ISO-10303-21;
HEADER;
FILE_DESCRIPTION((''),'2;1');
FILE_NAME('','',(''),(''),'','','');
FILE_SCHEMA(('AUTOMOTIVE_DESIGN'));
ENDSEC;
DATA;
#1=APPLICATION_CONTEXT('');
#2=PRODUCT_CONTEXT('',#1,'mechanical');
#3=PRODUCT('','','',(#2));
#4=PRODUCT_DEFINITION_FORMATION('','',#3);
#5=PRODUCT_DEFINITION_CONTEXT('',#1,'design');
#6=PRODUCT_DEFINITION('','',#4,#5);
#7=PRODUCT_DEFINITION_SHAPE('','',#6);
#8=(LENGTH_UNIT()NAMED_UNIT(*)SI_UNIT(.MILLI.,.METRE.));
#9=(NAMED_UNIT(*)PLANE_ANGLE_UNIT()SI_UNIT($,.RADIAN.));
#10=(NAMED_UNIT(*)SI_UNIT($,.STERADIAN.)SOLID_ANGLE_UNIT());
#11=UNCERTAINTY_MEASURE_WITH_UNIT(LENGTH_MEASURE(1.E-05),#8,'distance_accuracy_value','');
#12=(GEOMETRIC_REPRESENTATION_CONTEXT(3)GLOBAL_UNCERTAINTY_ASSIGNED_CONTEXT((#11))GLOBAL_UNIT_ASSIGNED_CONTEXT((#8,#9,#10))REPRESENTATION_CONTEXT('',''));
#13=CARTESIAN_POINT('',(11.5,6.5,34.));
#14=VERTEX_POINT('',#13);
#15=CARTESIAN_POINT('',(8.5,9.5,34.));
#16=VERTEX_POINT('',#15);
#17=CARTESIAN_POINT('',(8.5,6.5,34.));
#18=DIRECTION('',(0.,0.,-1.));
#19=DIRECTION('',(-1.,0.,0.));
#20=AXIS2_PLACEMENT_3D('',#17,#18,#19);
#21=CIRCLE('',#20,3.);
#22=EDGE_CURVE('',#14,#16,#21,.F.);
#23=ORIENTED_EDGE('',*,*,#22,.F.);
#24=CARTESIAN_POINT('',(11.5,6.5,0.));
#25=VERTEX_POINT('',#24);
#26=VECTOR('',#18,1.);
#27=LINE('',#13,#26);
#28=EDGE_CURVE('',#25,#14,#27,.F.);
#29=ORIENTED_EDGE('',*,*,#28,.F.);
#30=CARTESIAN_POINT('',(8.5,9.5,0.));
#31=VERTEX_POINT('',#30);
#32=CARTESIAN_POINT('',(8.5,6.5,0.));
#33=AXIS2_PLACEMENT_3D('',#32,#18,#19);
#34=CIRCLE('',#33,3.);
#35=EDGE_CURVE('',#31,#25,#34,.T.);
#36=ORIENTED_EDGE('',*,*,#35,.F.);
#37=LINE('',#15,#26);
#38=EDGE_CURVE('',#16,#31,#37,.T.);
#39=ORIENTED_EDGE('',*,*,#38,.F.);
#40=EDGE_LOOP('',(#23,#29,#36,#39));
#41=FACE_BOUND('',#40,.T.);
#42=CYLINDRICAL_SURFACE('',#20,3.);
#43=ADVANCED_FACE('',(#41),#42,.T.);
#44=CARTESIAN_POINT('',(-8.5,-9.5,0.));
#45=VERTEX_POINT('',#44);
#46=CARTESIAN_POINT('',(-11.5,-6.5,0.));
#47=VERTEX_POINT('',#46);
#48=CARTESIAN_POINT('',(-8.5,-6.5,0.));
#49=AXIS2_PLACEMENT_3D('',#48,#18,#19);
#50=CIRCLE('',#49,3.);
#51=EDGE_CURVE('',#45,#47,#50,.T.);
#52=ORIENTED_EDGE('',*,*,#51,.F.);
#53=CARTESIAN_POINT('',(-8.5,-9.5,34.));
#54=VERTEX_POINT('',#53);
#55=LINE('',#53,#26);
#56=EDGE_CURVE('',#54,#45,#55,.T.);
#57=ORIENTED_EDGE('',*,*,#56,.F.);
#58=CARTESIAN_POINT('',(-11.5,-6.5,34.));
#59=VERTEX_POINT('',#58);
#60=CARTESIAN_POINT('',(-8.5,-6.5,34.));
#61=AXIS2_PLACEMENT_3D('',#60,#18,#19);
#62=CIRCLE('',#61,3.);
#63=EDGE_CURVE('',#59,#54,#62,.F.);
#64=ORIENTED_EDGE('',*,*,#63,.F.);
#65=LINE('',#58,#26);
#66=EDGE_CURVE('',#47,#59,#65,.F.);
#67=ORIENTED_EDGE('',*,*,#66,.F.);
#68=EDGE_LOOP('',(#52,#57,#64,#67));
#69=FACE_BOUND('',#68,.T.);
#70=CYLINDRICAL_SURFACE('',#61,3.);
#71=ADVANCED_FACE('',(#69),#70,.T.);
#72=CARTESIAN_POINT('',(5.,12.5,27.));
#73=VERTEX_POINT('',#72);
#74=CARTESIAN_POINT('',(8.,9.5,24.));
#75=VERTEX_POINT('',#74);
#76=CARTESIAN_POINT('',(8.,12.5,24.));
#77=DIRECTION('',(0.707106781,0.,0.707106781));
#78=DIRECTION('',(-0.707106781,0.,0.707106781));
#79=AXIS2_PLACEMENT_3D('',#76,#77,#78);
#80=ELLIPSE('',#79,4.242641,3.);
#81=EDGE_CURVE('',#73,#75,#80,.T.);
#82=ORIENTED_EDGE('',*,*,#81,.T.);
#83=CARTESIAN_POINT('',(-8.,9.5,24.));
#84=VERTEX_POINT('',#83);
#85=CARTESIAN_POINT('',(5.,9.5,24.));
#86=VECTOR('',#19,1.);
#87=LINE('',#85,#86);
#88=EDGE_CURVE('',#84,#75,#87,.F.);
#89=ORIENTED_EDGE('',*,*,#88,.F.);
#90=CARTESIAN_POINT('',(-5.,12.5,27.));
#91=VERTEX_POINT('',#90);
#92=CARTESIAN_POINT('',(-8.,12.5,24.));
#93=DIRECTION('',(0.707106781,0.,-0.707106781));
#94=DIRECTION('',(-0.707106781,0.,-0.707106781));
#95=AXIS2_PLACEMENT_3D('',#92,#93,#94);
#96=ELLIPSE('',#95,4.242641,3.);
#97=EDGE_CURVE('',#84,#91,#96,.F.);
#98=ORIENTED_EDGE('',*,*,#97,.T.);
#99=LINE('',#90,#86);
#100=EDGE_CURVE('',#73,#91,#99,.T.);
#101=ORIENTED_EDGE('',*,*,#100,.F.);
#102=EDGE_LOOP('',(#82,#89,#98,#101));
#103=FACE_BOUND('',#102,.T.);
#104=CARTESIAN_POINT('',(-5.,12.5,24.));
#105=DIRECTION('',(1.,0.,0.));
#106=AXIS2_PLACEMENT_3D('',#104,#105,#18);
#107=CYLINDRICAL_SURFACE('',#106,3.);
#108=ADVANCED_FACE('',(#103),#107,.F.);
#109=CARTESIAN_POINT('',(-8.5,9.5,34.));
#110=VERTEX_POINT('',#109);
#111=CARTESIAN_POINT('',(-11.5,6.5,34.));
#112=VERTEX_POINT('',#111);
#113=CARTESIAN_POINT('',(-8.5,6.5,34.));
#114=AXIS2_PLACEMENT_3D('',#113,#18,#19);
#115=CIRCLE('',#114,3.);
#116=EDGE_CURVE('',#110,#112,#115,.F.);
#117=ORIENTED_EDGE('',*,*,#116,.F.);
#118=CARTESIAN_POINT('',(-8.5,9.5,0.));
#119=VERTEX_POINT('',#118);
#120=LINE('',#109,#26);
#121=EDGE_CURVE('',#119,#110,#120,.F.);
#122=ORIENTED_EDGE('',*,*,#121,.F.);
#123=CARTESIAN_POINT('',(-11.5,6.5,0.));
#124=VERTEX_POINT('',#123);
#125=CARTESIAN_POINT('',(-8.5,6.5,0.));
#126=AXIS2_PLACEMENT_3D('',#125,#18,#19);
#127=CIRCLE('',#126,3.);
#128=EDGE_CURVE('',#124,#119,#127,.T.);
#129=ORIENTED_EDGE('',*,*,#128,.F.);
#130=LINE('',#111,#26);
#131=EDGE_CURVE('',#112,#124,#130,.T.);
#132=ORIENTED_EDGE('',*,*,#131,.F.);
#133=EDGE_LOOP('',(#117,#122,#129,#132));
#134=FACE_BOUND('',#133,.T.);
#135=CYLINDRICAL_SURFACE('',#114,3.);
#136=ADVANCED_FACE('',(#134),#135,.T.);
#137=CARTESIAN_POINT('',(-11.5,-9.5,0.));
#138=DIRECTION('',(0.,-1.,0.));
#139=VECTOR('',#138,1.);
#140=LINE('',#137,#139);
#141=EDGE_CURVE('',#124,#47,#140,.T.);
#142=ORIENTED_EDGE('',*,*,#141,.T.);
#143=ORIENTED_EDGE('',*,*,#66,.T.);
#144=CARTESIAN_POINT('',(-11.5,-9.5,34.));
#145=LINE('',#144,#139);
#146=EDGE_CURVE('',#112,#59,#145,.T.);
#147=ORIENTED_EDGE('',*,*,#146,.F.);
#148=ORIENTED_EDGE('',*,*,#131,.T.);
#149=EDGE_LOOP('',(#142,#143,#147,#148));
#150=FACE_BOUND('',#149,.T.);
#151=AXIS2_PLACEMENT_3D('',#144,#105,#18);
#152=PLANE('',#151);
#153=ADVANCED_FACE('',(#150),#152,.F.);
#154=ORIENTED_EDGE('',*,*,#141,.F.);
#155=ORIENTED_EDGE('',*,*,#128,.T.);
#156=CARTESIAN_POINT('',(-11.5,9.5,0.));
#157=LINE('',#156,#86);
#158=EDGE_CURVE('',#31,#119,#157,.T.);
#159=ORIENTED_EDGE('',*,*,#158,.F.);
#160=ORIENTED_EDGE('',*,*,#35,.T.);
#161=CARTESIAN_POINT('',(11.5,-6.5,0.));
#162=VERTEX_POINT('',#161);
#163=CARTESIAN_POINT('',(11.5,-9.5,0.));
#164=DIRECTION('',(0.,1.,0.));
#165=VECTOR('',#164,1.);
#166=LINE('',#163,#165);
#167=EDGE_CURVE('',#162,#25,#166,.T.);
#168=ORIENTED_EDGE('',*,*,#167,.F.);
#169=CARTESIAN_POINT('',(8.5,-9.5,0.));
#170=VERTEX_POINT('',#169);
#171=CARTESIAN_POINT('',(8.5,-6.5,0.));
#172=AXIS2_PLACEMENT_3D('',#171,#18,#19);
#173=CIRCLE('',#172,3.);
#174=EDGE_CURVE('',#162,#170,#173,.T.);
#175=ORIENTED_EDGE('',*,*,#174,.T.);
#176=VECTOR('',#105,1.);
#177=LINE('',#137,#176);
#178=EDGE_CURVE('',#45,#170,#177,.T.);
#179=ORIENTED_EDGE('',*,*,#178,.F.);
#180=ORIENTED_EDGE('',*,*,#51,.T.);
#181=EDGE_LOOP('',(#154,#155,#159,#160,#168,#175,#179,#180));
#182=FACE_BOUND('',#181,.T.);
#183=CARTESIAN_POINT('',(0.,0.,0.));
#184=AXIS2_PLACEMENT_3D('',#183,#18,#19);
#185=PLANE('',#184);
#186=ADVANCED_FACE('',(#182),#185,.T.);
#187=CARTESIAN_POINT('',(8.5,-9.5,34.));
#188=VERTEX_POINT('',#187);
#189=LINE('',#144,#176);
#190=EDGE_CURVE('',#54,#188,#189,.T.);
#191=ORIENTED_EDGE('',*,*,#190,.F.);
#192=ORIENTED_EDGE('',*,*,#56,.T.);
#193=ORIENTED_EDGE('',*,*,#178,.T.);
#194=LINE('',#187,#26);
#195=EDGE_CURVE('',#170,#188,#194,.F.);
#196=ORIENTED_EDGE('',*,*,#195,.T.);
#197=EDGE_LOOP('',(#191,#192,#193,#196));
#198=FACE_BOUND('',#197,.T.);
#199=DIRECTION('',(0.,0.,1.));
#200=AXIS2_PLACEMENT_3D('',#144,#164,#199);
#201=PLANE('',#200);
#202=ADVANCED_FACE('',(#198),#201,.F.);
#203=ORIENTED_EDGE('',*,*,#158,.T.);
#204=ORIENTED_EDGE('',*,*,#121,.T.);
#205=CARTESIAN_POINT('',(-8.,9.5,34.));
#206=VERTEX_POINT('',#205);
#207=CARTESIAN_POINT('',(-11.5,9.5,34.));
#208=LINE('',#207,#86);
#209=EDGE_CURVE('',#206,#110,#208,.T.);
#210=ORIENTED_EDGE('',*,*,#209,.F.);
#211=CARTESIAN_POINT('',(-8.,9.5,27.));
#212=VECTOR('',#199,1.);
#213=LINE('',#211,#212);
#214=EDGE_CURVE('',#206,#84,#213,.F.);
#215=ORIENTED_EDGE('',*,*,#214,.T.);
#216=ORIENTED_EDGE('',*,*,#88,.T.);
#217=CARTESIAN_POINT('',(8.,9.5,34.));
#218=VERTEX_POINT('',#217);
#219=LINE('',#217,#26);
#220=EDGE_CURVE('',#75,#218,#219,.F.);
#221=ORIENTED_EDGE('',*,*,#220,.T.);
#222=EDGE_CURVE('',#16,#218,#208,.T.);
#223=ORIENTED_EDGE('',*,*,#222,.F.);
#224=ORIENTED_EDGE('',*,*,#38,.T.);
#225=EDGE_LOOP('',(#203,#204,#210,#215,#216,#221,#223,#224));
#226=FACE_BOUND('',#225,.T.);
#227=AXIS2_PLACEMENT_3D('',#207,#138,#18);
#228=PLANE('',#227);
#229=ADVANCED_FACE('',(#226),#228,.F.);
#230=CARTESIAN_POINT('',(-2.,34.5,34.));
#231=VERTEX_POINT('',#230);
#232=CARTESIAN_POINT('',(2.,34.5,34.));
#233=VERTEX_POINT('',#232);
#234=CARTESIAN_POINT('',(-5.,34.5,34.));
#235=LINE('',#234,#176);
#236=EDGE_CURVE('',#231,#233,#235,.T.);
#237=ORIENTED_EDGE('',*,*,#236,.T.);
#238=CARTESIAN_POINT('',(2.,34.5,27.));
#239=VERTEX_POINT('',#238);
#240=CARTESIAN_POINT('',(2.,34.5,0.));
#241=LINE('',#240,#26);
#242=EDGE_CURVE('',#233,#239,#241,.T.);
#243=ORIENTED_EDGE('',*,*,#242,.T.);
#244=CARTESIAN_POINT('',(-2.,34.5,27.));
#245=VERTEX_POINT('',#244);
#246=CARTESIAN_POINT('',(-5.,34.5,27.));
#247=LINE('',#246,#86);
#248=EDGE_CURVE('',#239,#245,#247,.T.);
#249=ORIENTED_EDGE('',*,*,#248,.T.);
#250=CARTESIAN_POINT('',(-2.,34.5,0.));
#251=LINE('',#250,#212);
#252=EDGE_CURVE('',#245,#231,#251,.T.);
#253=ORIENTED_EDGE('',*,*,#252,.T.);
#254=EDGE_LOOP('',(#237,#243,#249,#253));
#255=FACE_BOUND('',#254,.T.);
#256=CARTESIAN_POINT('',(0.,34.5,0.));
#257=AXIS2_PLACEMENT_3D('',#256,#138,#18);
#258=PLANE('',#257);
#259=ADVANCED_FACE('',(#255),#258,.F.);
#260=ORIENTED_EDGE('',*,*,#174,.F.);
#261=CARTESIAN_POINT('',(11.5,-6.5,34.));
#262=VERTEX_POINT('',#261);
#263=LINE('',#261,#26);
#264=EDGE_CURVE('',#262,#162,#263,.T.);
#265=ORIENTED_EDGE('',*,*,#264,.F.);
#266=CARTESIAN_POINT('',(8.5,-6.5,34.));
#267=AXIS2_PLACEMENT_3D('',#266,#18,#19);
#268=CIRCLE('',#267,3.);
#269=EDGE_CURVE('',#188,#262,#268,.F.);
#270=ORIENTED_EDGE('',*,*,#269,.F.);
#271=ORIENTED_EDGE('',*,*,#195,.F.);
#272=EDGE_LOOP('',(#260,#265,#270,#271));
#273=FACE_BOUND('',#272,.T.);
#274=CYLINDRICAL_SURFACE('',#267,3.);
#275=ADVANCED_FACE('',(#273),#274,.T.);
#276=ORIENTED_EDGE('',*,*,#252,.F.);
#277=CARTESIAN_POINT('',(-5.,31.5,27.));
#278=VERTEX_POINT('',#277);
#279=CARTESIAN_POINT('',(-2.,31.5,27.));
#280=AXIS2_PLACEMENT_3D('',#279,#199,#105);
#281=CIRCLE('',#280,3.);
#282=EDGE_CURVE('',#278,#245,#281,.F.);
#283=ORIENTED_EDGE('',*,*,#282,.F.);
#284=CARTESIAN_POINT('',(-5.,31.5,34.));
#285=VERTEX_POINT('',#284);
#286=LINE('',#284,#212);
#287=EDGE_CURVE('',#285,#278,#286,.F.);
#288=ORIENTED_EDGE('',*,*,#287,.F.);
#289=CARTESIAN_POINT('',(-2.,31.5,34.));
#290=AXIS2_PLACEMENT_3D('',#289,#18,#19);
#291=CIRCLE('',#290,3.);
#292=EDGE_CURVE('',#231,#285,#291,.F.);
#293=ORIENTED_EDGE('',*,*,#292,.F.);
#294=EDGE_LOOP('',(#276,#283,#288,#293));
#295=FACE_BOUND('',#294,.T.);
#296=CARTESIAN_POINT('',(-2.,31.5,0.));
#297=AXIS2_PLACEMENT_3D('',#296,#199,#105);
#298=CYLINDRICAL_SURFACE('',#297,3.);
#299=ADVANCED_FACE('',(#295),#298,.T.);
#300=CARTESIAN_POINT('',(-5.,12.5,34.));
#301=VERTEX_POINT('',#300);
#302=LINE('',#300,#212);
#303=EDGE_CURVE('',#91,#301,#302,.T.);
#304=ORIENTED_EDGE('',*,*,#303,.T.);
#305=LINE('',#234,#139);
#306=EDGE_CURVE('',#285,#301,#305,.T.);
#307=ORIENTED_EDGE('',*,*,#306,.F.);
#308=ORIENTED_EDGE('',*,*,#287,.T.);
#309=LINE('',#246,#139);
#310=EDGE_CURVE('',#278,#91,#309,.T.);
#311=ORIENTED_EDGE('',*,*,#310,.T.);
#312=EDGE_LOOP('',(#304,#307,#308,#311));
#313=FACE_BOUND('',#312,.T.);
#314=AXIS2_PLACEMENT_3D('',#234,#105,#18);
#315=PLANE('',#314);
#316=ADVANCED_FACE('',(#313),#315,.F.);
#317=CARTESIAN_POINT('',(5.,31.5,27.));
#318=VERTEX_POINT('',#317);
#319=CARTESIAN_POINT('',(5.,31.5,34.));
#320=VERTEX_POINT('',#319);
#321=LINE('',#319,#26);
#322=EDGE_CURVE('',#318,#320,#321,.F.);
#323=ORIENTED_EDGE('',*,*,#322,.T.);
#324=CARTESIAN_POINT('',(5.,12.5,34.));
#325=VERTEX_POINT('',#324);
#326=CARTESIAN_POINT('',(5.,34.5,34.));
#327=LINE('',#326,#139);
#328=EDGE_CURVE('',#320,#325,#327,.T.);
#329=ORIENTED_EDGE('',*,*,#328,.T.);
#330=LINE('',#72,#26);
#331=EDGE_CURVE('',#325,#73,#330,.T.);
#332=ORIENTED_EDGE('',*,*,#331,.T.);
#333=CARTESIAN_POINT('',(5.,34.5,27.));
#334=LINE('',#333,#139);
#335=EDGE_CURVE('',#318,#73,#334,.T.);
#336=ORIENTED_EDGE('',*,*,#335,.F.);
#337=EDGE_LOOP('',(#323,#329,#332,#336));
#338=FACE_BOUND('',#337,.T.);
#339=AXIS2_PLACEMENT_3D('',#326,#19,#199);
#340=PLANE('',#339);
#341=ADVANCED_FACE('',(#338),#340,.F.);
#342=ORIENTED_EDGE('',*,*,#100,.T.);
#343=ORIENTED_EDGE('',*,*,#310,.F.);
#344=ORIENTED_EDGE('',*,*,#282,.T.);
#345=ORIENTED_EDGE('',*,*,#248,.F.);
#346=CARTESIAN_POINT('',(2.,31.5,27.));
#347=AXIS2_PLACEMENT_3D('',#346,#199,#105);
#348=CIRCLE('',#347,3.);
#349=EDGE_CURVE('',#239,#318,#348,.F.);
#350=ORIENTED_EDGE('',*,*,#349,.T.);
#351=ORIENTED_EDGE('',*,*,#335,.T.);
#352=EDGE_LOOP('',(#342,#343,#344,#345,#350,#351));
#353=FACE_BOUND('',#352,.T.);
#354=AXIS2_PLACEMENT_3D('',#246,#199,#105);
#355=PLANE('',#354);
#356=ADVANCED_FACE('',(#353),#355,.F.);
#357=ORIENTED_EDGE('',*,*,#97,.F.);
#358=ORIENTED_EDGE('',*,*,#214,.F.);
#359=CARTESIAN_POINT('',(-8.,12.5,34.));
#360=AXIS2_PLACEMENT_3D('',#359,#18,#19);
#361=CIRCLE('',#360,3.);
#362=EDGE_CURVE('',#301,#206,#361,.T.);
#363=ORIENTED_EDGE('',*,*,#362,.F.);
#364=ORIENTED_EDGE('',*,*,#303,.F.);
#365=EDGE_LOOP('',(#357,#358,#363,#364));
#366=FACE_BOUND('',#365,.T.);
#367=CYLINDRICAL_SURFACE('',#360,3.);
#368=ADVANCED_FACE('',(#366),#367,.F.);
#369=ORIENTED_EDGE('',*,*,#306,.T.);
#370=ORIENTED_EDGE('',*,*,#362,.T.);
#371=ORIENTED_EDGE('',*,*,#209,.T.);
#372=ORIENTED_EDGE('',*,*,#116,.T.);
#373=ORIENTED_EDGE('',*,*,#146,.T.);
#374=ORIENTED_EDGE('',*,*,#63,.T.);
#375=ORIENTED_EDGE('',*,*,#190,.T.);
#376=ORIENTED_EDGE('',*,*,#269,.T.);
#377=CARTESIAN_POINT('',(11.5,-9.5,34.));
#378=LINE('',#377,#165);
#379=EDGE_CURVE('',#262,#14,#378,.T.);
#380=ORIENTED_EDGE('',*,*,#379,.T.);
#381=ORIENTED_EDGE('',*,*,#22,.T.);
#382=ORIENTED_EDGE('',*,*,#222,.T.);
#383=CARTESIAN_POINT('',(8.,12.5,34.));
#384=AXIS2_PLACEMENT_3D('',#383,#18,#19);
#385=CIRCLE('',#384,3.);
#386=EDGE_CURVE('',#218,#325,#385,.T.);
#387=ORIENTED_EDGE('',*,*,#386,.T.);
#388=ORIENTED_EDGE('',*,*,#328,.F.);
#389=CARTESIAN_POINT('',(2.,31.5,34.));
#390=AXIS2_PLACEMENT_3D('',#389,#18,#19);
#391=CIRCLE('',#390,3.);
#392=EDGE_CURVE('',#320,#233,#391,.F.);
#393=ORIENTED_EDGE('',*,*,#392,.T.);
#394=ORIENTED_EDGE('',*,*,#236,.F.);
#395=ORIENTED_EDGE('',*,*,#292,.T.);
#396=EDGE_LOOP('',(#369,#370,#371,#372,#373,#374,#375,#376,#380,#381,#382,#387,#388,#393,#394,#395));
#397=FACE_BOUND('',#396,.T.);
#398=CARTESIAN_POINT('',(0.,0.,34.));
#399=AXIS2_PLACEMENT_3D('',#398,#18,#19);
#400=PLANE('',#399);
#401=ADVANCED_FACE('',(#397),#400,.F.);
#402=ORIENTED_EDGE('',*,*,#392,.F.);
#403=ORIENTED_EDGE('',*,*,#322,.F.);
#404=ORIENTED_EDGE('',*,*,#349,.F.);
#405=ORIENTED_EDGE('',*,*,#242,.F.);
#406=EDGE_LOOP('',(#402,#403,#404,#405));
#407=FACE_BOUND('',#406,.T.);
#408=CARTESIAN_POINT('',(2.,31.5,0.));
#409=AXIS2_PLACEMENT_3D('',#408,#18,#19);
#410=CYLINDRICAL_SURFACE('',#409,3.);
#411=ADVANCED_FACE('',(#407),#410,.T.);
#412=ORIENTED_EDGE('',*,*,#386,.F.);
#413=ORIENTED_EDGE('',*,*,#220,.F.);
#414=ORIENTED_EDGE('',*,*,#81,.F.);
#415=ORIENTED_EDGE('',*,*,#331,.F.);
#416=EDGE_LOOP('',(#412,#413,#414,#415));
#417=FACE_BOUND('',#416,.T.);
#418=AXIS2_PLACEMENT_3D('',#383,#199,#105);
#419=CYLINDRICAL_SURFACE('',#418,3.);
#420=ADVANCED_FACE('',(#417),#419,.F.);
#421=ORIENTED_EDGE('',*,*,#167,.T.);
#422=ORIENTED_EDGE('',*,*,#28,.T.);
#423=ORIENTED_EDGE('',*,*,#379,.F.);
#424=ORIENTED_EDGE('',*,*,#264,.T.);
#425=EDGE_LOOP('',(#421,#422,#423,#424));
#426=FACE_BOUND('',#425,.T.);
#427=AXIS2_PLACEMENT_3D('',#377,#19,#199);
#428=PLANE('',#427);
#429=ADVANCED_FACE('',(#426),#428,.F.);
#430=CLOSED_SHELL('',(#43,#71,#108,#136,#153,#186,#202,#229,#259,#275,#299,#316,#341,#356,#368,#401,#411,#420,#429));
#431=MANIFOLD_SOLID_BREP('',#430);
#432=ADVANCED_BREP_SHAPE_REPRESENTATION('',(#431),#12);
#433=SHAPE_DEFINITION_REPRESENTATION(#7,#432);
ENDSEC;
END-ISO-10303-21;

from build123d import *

# Parameters (mm, degrees)
SKETCH_1_W      = 23
SKETCH_1_H      = 19
EXTRUDE_1_DEPTH = 34
SKETCH_2_W      = 10
SKETCH_2_H      = 7
EXTRUDE_2_DEPTH = 25
FILLET_1_R      = 3


with BuildPart() as part:
    # Sketch 1 → Extrude 1 (new body)
    with BuildSketch(Plane.XY):
        Rectangle(SKETCH_1_W, SKETCH_1_H)
    extrude(amount=EXTRUDE_1_DEPTH)

    # Sketch 2 → Extrude 2 (add)
    with BuildSketch(Plane(origin=(0, 9.5, 0), x_dir=(1, 0, 0), z_dir=(0, 1, 0))):
        with Locations((0, -30.5)):
            Rectangle(SKETCH_2_W, SKETCH_2_H)
    extrude(amount=EXTRUDE_2_DEPTH)

    # Fillet 1
    fillet_1_edges = [part.edges().sort_by_distance(p)[0] for p in [
        (-5, 9.5, 30.5),
        (5, 9.5, 30.5),
        (0, 9.5, 27),
        (-5, 34.5, 30.5),
        (5, 34.5, 30.5),
        (11.5, -9.5, 17),
        (-11.5, -9.5, 17),
        (-11.5, 9.5, 17),
        (11.5, 9.5, 17),
    ]]
    fillet(fillet_1_edges, radius=FILLET_1_R)


solid = part.part
